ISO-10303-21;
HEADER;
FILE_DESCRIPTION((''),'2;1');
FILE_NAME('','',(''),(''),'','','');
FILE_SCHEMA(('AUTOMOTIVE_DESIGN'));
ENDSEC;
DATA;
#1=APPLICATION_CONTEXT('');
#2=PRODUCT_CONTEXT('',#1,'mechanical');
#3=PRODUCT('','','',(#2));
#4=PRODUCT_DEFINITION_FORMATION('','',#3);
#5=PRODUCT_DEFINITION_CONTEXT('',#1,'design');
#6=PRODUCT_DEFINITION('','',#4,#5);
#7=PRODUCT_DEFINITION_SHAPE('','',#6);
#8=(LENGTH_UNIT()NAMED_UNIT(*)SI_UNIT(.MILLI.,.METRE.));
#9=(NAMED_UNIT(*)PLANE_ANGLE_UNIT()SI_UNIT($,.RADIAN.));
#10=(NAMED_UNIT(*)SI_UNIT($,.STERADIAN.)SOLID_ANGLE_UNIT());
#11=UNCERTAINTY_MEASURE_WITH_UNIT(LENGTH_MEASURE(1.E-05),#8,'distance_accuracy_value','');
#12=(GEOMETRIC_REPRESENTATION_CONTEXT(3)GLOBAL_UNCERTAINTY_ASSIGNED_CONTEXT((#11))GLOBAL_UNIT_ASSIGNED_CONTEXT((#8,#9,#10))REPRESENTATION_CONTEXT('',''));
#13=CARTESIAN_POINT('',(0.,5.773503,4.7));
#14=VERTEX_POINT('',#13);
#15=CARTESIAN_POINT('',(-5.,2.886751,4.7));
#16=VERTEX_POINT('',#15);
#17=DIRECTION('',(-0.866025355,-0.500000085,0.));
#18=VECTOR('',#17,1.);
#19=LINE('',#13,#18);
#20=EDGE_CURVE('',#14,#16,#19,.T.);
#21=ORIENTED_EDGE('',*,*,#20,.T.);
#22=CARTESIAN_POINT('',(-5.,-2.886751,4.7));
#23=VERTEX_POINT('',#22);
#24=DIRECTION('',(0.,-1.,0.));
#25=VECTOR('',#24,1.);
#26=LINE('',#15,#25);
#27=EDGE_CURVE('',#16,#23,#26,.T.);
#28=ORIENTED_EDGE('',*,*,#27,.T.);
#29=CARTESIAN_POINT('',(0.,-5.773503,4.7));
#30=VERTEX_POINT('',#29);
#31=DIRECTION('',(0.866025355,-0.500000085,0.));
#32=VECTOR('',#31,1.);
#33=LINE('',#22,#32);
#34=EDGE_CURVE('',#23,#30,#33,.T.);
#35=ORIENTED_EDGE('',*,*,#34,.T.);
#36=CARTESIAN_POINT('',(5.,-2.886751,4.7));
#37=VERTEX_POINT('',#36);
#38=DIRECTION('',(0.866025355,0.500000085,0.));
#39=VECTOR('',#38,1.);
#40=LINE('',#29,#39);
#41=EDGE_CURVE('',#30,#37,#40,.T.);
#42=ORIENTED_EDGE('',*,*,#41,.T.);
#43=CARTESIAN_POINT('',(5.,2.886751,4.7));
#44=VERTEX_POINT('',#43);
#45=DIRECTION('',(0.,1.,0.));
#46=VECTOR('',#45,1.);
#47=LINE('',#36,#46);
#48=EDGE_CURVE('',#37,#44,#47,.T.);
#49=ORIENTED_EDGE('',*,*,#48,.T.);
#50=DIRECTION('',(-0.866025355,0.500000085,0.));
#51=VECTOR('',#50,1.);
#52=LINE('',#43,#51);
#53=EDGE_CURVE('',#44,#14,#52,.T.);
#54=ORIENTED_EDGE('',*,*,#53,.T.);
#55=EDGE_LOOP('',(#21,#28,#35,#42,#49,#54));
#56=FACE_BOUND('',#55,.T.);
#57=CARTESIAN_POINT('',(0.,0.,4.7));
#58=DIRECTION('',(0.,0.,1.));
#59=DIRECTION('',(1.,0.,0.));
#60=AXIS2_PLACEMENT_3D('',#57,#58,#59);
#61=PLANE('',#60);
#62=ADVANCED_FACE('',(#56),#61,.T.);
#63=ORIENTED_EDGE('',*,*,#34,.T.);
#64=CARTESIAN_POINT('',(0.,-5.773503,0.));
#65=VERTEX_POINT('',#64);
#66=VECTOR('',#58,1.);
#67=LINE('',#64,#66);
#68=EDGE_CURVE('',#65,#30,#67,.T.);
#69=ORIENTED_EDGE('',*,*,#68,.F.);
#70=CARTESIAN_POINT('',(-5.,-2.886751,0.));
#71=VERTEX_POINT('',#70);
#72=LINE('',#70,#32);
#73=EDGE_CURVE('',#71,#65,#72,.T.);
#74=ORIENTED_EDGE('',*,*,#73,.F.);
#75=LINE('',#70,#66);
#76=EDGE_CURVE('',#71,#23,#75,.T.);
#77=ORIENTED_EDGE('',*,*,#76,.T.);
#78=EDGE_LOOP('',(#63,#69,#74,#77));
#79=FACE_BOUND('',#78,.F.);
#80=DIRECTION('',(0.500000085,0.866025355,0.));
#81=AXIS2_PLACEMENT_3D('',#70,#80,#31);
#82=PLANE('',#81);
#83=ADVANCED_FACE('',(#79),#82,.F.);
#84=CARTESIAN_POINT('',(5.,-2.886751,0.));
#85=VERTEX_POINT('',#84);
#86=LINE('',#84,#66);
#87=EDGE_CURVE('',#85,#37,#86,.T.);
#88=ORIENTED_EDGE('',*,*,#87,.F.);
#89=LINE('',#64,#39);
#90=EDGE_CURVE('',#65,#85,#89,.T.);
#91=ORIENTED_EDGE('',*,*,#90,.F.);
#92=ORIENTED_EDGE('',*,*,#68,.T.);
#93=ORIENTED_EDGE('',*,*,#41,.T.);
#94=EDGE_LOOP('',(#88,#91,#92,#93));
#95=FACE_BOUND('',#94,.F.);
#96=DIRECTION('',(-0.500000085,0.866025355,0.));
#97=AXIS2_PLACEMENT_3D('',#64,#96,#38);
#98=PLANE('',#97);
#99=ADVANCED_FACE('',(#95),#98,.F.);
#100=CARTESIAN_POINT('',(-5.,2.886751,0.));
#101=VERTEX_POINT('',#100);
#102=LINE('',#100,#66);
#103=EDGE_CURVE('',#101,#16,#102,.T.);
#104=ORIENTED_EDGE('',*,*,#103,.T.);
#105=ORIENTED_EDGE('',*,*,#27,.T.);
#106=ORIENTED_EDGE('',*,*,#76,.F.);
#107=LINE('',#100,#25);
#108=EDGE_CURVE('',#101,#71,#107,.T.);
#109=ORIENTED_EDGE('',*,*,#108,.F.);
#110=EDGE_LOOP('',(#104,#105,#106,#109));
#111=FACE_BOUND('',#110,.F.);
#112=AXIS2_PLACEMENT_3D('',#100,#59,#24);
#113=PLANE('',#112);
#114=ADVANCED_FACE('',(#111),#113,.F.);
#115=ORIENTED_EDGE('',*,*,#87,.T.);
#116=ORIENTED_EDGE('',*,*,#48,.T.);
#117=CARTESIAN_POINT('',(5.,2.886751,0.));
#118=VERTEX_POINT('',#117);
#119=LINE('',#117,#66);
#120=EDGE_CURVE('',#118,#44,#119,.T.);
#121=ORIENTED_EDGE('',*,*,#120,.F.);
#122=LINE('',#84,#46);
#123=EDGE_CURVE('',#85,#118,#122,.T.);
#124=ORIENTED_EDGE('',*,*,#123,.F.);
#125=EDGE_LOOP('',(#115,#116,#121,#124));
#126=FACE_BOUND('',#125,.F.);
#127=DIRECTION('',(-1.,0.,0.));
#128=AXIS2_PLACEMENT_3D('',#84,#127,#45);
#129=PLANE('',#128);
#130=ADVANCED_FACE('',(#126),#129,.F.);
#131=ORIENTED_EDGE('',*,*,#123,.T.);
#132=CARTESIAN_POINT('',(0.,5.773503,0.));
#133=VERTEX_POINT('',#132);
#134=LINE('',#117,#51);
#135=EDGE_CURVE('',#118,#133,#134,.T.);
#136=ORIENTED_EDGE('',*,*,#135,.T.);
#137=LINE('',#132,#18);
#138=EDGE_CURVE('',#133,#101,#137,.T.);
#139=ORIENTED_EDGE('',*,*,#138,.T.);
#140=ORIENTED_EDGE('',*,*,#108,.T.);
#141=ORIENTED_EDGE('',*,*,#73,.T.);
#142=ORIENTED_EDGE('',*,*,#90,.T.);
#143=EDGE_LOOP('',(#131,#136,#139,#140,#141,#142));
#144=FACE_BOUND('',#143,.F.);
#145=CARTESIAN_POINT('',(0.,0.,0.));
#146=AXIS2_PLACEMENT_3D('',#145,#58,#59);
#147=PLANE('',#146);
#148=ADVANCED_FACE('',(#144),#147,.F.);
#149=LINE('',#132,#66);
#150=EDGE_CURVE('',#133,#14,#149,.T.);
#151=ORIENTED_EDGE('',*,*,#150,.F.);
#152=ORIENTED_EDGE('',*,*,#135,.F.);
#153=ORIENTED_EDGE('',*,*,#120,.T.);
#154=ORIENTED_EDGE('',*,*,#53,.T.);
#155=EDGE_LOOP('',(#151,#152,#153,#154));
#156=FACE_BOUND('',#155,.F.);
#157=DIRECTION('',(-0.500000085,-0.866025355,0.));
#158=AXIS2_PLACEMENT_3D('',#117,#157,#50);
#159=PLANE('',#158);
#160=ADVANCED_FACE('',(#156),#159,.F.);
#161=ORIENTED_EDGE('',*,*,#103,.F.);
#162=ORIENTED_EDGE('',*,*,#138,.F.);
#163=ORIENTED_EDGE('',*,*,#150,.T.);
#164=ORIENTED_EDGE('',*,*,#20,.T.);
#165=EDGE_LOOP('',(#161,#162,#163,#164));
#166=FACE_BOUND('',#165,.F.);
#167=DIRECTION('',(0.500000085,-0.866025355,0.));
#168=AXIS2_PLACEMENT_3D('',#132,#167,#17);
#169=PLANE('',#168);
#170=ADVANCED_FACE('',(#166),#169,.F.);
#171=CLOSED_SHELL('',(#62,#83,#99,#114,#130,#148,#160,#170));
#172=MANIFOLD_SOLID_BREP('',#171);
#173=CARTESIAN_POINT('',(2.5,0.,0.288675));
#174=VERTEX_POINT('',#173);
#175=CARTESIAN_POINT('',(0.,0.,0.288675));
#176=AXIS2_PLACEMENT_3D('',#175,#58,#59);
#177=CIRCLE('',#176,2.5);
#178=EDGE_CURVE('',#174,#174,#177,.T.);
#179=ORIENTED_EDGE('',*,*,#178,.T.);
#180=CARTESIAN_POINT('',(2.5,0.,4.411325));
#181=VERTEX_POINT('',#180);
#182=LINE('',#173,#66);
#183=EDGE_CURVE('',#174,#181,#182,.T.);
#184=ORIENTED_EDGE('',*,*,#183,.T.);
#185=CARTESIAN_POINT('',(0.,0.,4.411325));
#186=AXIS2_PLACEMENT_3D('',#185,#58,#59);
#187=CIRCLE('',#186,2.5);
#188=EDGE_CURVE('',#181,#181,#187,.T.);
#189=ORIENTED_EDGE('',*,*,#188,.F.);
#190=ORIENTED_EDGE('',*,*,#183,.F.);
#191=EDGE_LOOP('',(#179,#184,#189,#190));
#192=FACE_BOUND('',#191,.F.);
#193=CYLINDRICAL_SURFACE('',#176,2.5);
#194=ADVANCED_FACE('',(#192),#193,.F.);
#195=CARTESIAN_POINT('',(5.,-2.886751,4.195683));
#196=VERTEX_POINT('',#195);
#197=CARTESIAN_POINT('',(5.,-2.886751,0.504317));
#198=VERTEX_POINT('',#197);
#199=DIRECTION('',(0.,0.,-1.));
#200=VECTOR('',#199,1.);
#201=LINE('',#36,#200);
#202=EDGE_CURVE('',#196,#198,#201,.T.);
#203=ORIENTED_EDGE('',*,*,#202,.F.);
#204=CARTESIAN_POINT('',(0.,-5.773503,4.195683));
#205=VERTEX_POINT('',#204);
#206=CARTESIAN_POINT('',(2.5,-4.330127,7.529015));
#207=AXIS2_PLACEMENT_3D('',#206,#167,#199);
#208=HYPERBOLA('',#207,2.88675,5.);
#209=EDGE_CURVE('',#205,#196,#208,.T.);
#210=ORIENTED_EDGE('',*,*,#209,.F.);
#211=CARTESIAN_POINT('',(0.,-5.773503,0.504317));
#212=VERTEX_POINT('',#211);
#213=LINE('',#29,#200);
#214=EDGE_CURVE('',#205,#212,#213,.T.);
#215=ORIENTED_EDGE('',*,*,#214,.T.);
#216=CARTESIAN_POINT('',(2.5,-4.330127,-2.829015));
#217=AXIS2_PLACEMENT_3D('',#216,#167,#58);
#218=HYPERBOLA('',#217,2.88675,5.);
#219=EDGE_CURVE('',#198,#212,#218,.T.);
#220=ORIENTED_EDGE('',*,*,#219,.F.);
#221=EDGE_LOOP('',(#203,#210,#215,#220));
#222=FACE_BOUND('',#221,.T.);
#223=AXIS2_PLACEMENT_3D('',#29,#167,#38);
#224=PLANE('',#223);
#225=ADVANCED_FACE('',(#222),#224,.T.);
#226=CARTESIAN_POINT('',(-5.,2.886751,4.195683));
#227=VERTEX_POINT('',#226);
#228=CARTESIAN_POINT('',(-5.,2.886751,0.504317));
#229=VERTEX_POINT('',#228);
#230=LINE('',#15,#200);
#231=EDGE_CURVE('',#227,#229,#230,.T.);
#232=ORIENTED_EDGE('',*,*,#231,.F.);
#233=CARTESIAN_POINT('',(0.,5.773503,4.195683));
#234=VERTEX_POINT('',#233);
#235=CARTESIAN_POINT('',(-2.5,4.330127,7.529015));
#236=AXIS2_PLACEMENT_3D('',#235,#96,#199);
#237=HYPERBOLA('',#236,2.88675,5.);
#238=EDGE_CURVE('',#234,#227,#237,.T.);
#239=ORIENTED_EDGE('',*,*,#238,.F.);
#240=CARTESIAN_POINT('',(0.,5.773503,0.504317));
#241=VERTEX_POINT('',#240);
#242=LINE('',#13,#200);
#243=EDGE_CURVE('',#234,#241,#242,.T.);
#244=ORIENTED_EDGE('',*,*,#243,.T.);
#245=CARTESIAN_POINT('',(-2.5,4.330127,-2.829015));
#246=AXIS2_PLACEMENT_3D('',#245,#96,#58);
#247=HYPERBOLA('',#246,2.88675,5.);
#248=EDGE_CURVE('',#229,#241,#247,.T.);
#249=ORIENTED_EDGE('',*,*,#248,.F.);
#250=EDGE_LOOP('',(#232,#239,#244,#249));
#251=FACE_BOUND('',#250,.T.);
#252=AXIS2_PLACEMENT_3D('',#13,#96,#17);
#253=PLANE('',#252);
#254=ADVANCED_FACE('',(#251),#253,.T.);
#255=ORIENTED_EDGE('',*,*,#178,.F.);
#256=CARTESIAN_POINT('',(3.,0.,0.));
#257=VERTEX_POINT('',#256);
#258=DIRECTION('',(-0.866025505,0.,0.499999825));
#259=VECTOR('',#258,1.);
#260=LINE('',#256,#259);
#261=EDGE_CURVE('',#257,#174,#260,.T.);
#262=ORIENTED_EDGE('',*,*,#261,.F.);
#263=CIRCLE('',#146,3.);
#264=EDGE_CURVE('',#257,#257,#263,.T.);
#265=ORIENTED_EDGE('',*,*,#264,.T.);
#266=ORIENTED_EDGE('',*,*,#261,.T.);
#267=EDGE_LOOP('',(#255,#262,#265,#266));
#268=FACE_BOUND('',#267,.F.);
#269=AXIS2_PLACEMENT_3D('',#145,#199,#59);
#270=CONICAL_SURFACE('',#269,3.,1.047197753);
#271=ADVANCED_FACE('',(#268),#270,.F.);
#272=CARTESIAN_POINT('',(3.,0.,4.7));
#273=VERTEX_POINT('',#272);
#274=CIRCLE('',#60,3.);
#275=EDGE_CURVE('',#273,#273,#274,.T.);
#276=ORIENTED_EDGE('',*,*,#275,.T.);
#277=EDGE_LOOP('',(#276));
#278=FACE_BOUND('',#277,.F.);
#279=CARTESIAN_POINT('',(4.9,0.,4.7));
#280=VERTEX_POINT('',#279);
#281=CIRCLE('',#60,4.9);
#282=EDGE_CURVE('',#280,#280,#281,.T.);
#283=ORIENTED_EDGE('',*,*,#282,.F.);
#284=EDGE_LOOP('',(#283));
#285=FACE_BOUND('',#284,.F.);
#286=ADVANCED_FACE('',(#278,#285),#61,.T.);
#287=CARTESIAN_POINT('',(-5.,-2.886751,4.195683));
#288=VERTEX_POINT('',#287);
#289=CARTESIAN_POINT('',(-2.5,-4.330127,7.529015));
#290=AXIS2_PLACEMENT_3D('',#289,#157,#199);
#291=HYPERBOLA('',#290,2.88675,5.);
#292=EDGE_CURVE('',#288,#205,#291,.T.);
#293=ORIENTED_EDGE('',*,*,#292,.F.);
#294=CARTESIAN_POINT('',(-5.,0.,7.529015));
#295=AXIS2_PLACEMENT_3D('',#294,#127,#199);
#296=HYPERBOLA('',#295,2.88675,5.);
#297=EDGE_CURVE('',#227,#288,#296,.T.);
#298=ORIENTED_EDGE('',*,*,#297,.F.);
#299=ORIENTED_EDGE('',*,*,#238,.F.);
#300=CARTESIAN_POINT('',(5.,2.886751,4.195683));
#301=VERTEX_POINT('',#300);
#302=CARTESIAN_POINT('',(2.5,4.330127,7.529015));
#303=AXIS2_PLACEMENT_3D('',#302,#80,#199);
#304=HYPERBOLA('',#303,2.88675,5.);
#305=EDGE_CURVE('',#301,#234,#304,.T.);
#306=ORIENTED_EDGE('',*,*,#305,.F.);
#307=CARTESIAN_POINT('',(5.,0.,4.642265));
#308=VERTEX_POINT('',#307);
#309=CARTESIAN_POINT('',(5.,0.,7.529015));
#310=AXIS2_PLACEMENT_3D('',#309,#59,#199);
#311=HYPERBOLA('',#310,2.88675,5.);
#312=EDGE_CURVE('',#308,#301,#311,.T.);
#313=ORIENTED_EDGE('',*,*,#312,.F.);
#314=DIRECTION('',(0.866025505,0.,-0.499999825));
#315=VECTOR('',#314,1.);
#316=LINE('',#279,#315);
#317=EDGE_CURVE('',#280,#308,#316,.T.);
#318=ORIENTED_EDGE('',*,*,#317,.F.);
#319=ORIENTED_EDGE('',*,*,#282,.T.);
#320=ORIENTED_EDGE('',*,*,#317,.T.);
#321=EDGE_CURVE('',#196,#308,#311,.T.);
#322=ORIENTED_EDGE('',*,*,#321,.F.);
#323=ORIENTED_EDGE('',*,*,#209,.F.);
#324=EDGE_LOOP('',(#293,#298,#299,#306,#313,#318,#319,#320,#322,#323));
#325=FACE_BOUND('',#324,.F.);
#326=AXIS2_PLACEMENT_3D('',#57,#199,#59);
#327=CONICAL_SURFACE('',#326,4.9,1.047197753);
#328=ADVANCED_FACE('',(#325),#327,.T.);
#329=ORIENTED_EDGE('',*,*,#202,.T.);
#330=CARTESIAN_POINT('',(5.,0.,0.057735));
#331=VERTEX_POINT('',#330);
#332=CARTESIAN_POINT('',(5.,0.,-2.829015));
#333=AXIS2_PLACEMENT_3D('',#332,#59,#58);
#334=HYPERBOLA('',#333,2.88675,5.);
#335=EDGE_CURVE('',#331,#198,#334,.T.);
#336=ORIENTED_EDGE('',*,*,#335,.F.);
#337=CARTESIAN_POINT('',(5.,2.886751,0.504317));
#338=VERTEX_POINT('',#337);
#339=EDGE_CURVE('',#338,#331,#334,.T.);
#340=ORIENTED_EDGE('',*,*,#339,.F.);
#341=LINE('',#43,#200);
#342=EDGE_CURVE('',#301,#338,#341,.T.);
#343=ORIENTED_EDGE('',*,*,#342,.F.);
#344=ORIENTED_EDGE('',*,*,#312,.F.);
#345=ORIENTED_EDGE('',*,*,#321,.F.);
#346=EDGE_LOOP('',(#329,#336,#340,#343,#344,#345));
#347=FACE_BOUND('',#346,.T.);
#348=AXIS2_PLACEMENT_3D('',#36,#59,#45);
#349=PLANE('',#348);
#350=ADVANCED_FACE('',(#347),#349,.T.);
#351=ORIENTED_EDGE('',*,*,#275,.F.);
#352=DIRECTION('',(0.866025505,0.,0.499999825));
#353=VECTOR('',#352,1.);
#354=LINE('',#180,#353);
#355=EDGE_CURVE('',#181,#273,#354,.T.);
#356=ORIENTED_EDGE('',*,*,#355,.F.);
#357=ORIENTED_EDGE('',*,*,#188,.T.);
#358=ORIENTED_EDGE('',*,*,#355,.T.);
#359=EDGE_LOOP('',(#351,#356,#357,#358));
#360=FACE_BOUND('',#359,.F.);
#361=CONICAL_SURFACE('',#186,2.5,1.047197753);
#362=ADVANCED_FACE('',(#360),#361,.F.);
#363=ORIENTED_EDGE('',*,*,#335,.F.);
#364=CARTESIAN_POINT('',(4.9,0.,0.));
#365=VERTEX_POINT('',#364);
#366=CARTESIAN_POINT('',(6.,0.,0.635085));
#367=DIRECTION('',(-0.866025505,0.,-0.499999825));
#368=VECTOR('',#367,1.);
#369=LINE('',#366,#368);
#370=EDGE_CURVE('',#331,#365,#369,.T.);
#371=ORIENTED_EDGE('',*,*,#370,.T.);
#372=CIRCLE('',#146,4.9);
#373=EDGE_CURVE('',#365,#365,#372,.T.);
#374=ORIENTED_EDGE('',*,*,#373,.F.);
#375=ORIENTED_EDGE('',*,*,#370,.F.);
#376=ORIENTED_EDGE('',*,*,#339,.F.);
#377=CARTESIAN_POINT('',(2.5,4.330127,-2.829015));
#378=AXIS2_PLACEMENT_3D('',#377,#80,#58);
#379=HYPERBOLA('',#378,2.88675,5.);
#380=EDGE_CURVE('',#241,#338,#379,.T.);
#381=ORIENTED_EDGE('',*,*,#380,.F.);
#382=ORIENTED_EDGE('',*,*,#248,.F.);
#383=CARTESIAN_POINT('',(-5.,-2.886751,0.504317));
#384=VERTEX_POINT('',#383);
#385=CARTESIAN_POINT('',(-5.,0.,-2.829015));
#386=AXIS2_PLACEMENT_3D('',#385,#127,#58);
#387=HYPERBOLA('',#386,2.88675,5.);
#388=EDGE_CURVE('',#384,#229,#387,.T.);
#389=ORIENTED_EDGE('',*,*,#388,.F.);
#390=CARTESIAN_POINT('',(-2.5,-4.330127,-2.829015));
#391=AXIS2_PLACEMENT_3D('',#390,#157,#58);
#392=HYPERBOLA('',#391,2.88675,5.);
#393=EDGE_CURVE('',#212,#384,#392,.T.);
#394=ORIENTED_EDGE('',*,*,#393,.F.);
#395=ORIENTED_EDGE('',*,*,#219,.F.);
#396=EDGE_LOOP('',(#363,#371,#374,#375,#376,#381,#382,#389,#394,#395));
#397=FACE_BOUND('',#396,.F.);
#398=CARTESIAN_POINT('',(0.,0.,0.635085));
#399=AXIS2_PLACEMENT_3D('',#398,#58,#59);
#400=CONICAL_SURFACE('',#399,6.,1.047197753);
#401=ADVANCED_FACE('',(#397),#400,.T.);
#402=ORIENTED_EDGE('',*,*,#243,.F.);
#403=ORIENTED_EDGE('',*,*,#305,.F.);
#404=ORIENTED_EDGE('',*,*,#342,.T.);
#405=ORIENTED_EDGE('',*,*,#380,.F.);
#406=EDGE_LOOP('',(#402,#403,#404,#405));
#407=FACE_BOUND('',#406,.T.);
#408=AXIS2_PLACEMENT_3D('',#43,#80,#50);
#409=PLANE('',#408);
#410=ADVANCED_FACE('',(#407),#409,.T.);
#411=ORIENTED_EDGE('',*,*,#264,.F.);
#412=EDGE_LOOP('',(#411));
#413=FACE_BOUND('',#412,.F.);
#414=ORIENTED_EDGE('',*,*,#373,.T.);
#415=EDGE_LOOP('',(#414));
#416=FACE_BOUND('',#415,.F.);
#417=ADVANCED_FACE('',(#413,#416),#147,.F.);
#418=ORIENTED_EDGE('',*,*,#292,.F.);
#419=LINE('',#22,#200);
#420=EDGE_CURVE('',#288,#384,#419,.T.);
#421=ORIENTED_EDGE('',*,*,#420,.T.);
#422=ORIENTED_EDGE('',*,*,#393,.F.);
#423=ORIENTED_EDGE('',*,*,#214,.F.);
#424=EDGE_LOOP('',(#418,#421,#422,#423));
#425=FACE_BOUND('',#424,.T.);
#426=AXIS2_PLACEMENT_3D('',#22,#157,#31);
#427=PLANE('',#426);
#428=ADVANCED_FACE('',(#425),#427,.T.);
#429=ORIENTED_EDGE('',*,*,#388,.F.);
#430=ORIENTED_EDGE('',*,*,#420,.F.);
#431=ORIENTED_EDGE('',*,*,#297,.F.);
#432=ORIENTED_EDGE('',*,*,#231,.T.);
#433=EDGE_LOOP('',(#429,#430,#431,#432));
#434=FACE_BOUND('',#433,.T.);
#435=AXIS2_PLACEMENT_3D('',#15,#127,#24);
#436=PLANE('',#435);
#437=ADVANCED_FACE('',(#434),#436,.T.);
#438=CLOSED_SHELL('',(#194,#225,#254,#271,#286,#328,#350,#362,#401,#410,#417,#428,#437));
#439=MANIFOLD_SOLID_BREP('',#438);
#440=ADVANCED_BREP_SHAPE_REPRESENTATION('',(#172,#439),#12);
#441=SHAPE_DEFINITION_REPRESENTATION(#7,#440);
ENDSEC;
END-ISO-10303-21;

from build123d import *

# Parameters (mm, degrees)
SKETCH001_R  = 7
POCKET_DEPTH = 4.701
PAD_DEPTH    = 4.7


with BuildPart() as sem_rosca:
    # Sketch → Revolution (revolve)
    with BuildSketch(Plane.XZ):
        Polygon((3, 0), (2.5, 0.288675), (2.5, 4.411325), (3, 4.7), (4.9, 4.7), (6, 4.064915), (6, 0.635085), (4.9, 0), align=None)
    revolve(axis=Axis((0, 0, 0), (0, 0, 1)))

    # Sketch001 (on Face4 of Revolution) → Pocket (cut, through all)
    with BuildSketch(Plane(origin=(0, 0, 4.7), x_dir=(-1, 0, 0), z_dir=(0, 0, 1))):
        Circle(SKETCH001_R)
        Polygon((0, -5.773503), (5, -2.886751), (5, 2.886751), (0, 5.773503), (-5, 2.886751), (-5, -2.886751), align=None, mode=Mode.SUBTRACT)
    extrude(amount=-POCKET_DEPTH, mode=Mode.SUBTRACT)


with BuildPart() as body001:
    # Sketch002 → Pad (new body)
    with BuildSketch(Plane.XY):
        Polygon((0, 5.773503), (-5, 2.886751), (-5, -2.886751), (0, -5.773503), (5, -2.886751), (5, 2.886751), align=None)
    extrude(amount=PAD_DEPTH)


solid = Compound([sem_rosca.part, body001.part])
